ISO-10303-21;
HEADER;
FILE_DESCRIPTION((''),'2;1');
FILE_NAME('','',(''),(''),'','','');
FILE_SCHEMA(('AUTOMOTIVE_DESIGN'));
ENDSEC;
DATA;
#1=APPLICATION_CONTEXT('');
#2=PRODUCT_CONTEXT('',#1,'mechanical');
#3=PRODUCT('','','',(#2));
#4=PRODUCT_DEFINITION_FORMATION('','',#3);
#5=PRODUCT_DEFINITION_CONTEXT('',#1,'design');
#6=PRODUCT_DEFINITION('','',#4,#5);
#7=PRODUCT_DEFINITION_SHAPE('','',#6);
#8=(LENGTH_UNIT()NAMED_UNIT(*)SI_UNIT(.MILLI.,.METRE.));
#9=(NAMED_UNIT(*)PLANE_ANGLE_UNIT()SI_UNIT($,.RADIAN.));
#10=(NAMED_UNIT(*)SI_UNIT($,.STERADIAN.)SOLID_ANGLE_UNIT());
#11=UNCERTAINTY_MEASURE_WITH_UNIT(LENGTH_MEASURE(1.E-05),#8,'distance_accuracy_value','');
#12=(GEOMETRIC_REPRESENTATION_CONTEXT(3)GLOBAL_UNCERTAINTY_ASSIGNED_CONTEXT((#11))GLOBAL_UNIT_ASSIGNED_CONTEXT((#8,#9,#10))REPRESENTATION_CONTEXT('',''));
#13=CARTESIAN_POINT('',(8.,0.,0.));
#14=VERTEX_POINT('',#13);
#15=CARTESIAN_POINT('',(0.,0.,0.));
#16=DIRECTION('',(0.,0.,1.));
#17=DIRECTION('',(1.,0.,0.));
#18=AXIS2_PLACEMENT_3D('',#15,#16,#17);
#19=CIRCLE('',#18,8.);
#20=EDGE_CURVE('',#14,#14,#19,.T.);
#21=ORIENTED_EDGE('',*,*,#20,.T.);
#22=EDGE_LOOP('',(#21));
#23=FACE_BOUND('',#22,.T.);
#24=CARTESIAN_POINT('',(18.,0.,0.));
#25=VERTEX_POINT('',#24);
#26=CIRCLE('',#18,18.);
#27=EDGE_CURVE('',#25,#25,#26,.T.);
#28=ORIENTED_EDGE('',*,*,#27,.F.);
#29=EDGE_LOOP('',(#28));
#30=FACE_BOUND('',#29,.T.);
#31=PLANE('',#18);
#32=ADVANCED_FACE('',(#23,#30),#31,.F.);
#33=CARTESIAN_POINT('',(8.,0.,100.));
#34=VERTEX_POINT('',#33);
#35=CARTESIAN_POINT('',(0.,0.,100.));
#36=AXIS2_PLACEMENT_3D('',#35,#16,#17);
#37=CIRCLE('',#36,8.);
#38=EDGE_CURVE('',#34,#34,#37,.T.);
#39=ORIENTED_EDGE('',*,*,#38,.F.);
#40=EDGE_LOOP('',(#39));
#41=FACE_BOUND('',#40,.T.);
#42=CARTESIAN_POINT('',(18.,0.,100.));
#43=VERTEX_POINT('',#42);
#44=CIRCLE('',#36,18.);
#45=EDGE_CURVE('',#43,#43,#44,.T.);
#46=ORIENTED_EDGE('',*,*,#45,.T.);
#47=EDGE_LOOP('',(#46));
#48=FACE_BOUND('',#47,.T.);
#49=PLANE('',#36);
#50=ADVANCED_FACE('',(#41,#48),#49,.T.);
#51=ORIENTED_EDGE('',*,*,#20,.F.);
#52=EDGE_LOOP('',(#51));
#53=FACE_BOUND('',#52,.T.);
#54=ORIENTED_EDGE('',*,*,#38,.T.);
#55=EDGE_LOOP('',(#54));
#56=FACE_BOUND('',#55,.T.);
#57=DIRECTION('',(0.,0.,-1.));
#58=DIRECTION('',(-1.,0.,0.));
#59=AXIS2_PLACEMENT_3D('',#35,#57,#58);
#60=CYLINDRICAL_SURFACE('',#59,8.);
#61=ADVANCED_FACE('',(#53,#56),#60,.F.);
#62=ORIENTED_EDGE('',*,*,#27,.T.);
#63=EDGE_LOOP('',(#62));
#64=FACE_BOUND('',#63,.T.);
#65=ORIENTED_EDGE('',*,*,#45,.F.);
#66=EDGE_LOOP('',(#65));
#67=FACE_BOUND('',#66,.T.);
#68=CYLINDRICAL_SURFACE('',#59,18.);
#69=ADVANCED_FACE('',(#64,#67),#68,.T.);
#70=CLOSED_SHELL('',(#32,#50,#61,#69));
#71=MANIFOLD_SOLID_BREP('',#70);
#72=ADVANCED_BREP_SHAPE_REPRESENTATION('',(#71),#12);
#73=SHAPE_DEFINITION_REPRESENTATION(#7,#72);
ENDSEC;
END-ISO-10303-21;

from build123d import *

# Parameters (mm, degrees)
IZIM1_R                     = 18
IZIM1_R_2                   = 8
Y_KSEKLIK_EKSTR_ZYON1_DEPTH = 100


with BuildPart() as part:
    # Çizim1 → Yükseklik-Ekstrüzyon1 (new body)
    with BuildSketch(Plane.XY):
        Circle(IZIM1_R)
        Circle(IZIM1_R_2, mode=Mode.SUBTRACT)
    extrude(amount=Y_KSEKLIK_EKSTR_ZYON1_DEPTH)


solid = part.part
